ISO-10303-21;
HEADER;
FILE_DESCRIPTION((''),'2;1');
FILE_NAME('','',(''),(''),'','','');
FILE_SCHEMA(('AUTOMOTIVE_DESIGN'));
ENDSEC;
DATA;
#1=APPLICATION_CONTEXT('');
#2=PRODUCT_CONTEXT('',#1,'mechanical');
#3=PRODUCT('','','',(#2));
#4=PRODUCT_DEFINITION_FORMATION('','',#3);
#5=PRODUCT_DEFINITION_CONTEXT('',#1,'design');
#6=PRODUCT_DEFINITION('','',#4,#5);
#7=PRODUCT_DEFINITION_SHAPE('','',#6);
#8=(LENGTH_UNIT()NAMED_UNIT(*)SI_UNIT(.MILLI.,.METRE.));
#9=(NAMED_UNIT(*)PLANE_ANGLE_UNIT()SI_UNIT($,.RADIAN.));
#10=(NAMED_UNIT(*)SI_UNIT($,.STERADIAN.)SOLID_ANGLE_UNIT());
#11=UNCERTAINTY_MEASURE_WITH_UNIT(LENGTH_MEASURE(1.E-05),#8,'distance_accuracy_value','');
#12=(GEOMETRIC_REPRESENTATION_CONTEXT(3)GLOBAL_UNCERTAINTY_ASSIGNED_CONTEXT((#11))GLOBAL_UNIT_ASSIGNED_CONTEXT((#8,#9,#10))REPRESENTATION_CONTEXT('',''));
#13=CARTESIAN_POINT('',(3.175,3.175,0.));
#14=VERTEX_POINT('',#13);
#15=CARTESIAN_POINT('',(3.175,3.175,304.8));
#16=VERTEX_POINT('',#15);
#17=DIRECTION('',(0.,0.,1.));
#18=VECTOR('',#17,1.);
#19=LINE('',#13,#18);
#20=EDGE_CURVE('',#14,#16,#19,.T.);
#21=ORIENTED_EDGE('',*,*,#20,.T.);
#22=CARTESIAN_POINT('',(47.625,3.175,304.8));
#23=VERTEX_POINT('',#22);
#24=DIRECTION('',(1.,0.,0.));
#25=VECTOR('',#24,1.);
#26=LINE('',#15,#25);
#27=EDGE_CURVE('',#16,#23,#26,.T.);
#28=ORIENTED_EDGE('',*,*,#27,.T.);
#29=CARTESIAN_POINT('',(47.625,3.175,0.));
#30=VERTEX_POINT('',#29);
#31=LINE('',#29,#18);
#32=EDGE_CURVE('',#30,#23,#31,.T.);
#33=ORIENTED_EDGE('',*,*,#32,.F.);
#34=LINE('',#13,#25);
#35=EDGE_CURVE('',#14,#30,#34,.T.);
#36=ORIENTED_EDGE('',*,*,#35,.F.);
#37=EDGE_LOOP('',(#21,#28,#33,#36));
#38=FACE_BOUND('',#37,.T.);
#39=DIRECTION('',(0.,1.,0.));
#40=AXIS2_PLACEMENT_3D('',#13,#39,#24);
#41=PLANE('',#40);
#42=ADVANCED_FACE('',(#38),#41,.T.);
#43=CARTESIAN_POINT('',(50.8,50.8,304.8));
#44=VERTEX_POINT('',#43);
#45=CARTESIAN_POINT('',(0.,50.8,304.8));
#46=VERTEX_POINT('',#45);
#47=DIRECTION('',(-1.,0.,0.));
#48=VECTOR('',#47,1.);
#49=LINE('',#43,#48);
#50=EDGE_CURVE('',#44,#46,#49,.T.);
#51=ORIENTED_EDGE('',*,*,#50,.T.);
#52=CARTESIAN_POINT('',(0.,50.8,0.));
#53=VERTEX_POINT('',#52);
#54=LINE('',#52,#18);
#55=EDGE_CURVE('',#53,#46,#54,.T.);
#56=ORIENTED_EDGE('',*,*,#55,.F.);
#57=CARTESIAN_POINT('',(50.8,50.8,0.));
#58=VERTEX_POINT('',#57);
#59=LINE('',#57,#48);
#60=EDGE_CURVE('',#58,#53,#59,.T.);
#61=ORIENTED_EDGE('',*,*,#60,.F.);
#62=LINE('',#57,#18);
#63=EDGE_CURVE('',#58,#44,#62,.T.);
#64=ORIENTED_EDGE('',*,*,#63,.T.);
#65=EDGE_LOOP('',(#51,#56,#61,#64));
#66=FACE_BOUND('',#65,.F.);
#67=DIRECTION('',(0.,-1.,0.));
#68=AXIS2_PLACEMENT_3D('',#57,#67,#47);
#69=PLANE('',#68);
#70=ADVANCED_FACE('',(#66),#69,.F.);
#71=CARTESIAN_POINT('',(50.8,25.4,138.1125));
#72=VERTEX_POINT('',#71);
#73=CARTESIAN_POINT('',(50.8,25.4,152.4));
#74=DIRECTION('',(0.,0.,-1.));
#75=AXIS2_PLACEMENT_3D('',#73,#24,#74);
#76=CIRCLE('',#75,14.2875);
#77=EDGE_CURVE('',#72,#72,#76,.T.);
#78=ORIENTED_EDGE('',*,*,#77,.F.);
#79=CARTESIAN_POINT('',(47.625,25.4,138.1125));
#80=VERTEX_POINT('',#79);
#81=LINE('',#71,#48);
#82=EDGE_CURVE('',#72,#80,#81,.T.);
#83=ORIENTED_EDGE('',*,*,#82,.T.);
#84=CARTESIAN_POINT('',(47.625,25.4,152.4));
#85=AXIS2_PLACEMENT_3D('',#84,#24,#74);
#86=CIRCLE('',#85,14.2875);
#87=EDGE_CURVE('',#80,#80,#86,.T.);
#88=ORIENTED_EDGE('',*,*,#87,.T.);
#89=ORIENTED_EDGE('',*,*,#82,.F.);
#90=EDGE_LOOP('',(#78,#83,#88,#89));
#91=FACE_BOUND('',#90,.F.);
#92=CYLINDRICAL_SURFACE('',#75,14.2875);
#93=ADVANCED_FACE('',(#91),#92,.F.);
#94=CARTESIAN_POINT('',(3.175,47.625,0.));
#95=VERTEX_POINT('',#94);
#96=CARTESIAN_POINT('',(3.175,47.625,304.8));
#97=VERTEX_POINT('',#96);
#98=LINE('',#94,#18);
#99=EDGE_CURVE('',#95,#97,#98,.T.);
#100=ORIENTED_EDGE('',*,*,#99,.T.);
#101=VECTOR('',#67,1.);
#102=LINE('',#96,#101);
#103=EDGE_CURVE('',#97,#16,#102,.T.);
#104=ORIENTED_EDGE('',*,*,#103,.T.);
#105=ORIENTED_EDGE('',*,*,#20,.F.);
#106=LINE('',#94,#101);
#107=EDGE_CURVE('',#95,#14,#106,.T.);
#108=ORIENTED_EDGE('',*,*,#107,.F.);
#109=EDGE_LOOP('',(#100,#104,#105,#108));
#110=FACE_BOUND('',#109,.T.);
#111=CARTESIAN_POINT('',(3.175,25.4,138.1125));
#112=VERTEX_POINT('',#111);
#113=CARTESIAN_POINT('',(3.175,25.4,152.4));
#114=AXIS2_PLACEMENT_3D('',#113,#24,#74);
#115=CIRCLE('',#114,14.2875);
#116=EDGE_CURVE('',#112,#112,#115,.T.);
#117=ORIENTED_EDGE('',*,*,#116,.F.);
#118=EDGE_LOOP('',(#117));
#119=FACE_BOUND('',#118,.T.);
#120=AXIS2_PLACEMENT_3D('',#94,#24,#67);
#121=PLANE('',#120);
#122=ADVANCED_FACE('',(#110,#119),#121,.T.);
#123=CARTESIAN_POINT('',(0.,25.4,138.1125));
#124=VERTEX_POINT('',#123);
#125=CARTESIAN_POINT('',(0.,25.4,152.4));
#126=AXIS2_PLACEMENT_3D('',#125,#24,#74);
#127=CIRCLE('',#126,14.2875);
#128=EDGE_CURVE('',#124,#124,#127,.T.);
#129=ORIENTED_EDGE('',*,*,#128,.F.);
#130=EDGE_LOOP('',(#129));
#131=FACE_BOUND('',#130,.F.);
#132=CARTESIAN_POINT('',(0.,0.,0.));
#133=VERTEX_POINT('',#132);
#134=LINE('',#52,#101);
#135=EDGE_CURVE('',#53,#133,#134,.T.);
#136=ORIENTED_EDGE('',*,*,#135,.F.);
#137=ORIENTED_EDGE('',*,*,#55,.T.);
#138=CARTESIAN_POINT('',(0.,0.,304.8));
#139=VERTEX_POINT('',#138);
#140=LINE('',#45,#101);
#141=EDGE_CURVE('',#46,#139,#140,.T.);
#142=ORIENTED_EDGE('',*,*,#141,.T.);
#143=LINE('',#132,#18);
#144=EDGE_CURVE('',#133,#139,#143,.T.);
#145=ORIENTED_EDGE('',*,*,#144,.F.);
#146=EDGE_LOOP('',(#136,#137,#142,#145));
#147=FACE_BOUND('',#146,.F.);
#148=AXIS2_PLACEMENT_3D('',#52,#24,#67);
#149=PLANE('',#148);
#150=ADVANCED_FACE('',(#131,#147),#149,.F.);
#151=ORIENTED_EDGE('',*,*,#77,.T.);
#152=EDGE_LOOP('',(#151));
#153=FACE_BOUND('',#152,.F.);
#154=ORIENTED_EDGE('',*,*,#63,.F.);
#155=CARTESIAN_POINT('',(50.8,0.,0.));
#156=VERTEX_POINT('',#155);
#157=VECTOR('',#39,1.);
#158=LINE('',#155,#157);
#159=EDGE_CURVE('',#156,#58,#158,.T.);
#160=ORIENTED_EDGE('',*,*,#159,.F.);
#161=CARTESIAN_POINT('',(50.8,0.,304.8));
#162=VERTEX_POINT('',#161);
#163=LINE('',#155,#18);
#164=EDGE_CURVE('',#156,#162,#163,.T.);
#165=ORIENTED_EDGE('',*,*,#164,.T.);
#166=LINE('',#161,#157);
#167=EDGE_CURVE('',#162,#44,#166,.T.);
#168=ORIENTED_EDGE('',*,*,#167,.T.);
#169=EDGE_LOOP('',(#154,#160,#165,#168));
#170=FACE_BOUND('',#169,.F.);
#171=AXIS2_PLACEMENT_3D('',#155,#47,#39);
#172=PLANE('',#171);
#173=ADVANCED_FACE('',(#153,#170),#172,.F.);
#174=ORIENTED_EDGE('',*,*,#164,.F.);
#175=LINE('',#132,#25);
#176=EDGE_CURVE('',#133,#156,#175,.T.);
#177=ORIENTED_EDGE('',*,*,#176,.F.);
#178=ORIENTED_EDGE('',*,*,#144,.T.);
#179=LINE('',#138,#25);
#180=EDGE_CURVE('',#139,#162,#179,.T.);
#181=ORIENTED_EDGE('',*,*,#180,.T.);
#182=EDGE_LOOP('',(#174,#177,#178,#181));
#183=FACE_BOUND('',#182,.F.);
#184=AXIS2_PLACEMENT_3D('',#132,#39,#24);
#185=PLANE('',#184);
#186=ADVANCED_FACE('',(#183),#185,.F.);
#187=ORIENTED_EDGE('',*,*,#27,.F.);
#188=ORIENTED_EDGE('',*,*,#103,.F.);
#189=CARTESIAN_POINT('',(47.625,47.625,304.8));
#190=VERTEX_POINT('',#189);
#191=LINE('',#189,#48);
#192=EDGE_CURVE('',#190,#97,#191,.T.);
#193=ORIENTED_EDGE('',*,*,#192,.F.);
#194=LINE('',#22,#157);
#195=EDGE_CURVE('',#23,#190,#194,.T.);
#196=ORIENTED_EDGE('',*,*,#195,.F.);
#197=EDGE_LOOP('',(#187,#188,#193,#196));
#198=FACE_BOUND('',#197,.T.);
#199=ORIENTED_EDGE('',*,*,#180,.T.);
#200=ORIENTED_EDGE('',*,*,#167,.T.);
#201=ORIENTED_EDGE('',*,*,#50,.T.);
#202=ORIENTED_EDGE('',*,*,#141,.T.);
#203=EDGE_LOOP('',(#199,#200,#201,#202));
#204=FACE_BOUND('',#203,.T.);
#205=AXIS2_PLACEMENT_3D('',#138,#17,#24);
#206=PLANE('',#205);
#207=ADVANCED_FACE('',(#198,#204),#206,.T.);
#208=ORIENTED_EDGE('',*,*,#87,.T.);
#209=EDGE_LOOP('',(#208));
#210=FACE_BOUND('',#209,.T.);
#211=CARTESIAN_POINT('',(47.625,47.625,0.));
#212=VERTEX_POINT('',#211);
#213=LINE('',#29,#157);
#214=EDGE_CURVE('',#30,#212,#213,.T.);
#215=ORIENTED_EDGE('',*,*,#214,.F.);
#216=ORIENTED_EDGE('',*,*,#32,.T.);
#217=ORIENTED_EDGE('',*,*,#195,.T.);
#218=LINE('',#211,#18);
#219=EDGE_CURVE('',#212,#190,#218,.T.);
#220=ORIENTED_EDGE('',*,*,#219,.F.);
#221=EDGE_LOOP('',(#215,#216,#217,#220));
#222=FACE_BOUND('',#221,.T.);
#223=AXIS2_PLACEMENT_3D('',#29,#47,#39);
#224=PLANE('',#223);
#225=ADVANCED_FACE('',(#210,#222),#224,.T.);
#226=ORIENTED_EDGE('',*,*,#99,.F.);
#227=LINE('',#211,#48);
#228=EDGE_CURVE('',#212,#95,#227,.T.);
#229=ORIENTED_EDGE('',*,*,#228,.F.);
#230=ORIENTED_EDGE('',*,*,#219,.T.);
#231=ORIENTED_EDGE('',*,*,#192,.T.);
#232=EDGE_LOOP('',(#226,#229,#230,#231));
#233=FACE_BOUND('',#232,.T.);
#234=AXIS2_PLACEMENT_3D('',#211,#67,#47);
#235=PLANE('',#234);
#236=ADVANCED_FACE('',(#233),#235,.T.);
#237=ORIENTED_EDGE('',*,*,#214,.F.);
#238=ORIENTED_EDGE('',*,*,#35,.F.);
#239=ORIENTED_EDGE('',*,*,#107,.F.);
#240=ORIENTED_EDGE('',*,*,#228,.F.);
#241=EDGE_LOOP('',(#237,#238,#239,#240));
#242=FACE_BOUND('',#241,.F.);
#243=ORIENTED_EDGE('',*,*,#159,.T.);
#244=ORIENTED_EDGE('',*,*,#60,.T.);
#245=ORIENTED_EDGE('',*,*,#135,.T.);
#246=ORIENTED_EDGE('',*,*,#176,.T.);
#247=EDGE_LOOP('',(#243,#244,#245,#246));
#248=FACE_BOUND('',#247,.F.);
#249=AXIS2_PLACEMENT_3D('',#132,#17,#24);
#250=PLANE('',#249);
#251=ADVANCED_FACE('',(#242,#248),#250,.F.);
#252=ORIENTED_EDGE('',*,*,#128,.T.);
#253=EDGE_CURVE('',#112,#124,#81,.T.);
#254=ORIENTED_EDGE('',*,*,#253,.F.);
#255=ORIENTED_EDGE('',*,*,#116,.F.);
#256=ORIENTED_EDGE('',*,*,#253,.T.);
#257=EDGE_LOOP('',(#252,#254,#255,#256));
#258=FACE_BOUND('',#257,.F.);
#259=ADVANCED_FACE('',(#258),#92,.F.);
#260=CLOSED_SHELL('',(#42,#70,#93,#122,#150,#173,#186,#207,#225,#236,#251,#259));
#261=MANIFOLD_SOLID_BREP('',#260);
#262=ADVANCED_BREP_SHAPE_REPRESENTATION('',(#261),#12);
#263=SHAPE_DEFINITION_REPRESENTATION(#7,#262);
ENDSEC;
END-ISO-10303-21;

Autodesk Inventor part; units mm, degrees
ref_plane "YZ Plane" through (0, 0, 0) normal (1, 0, 0) x (0, 1, 0)
ref_plane "XZ Plane" through (0, 0, 0) normal (0, 1, 0) x (-1, 0, 0)
ref_plane "XY Plane" through (0, 0, 0) normal (0, 0, 1) x (1, 0, 0)
sketch "Sketch1" plane through (0, 0, 0) normal (0, 0, 1) x (1, 0, 0)
  line L0 (0, 0) -> (50.8, 0)
  line L1 (50.8, 0) -> (50.8, 50.8)
  line L2 (50.8, 50.8) -> (0, 50.8)
  line L3 (0, 50.8) -> (0, 0)
  line L4 (3.175, 3.175) -> (47.625, 3.175)
  line L5 (47.625, 3.175) -> (47.625, 47.625)
  line L6 (47.625, 47.625) -> (3.175, 47.625)
  line L7 (3.175, 47.625) -> (3.175, 3.175)
  dimension "d0" = 50.8
  dimension "d1" = 50.8
  dimension "d2" = 44.45
  dimension "d3" = 44.45
  dimension "d4" = 3.175
  dimension "d5" = 3.175
extrude "Extrusion1" add sketch "Sketch1" along normal blind 304.8
sketch "Sketch2" plane through (50.8, 0, 0) normal (1, 0, 0) x (0, 0, -1)
  line L0 (0, 0) -> (0, 50.8) projected
  line L1 (0, 50.8) -> (-304.8, 50.8) projected
  circle A0 centre (-152.4, 25.4) radius 14.2875
  dimension "d8" = 28.575
  dimension "d9" = 25.4
  dimension "d10" = 152.4
extrude "Extrusion2" cut sketch "Sketch2" against normal through all
properties part number "Frame Segment"
